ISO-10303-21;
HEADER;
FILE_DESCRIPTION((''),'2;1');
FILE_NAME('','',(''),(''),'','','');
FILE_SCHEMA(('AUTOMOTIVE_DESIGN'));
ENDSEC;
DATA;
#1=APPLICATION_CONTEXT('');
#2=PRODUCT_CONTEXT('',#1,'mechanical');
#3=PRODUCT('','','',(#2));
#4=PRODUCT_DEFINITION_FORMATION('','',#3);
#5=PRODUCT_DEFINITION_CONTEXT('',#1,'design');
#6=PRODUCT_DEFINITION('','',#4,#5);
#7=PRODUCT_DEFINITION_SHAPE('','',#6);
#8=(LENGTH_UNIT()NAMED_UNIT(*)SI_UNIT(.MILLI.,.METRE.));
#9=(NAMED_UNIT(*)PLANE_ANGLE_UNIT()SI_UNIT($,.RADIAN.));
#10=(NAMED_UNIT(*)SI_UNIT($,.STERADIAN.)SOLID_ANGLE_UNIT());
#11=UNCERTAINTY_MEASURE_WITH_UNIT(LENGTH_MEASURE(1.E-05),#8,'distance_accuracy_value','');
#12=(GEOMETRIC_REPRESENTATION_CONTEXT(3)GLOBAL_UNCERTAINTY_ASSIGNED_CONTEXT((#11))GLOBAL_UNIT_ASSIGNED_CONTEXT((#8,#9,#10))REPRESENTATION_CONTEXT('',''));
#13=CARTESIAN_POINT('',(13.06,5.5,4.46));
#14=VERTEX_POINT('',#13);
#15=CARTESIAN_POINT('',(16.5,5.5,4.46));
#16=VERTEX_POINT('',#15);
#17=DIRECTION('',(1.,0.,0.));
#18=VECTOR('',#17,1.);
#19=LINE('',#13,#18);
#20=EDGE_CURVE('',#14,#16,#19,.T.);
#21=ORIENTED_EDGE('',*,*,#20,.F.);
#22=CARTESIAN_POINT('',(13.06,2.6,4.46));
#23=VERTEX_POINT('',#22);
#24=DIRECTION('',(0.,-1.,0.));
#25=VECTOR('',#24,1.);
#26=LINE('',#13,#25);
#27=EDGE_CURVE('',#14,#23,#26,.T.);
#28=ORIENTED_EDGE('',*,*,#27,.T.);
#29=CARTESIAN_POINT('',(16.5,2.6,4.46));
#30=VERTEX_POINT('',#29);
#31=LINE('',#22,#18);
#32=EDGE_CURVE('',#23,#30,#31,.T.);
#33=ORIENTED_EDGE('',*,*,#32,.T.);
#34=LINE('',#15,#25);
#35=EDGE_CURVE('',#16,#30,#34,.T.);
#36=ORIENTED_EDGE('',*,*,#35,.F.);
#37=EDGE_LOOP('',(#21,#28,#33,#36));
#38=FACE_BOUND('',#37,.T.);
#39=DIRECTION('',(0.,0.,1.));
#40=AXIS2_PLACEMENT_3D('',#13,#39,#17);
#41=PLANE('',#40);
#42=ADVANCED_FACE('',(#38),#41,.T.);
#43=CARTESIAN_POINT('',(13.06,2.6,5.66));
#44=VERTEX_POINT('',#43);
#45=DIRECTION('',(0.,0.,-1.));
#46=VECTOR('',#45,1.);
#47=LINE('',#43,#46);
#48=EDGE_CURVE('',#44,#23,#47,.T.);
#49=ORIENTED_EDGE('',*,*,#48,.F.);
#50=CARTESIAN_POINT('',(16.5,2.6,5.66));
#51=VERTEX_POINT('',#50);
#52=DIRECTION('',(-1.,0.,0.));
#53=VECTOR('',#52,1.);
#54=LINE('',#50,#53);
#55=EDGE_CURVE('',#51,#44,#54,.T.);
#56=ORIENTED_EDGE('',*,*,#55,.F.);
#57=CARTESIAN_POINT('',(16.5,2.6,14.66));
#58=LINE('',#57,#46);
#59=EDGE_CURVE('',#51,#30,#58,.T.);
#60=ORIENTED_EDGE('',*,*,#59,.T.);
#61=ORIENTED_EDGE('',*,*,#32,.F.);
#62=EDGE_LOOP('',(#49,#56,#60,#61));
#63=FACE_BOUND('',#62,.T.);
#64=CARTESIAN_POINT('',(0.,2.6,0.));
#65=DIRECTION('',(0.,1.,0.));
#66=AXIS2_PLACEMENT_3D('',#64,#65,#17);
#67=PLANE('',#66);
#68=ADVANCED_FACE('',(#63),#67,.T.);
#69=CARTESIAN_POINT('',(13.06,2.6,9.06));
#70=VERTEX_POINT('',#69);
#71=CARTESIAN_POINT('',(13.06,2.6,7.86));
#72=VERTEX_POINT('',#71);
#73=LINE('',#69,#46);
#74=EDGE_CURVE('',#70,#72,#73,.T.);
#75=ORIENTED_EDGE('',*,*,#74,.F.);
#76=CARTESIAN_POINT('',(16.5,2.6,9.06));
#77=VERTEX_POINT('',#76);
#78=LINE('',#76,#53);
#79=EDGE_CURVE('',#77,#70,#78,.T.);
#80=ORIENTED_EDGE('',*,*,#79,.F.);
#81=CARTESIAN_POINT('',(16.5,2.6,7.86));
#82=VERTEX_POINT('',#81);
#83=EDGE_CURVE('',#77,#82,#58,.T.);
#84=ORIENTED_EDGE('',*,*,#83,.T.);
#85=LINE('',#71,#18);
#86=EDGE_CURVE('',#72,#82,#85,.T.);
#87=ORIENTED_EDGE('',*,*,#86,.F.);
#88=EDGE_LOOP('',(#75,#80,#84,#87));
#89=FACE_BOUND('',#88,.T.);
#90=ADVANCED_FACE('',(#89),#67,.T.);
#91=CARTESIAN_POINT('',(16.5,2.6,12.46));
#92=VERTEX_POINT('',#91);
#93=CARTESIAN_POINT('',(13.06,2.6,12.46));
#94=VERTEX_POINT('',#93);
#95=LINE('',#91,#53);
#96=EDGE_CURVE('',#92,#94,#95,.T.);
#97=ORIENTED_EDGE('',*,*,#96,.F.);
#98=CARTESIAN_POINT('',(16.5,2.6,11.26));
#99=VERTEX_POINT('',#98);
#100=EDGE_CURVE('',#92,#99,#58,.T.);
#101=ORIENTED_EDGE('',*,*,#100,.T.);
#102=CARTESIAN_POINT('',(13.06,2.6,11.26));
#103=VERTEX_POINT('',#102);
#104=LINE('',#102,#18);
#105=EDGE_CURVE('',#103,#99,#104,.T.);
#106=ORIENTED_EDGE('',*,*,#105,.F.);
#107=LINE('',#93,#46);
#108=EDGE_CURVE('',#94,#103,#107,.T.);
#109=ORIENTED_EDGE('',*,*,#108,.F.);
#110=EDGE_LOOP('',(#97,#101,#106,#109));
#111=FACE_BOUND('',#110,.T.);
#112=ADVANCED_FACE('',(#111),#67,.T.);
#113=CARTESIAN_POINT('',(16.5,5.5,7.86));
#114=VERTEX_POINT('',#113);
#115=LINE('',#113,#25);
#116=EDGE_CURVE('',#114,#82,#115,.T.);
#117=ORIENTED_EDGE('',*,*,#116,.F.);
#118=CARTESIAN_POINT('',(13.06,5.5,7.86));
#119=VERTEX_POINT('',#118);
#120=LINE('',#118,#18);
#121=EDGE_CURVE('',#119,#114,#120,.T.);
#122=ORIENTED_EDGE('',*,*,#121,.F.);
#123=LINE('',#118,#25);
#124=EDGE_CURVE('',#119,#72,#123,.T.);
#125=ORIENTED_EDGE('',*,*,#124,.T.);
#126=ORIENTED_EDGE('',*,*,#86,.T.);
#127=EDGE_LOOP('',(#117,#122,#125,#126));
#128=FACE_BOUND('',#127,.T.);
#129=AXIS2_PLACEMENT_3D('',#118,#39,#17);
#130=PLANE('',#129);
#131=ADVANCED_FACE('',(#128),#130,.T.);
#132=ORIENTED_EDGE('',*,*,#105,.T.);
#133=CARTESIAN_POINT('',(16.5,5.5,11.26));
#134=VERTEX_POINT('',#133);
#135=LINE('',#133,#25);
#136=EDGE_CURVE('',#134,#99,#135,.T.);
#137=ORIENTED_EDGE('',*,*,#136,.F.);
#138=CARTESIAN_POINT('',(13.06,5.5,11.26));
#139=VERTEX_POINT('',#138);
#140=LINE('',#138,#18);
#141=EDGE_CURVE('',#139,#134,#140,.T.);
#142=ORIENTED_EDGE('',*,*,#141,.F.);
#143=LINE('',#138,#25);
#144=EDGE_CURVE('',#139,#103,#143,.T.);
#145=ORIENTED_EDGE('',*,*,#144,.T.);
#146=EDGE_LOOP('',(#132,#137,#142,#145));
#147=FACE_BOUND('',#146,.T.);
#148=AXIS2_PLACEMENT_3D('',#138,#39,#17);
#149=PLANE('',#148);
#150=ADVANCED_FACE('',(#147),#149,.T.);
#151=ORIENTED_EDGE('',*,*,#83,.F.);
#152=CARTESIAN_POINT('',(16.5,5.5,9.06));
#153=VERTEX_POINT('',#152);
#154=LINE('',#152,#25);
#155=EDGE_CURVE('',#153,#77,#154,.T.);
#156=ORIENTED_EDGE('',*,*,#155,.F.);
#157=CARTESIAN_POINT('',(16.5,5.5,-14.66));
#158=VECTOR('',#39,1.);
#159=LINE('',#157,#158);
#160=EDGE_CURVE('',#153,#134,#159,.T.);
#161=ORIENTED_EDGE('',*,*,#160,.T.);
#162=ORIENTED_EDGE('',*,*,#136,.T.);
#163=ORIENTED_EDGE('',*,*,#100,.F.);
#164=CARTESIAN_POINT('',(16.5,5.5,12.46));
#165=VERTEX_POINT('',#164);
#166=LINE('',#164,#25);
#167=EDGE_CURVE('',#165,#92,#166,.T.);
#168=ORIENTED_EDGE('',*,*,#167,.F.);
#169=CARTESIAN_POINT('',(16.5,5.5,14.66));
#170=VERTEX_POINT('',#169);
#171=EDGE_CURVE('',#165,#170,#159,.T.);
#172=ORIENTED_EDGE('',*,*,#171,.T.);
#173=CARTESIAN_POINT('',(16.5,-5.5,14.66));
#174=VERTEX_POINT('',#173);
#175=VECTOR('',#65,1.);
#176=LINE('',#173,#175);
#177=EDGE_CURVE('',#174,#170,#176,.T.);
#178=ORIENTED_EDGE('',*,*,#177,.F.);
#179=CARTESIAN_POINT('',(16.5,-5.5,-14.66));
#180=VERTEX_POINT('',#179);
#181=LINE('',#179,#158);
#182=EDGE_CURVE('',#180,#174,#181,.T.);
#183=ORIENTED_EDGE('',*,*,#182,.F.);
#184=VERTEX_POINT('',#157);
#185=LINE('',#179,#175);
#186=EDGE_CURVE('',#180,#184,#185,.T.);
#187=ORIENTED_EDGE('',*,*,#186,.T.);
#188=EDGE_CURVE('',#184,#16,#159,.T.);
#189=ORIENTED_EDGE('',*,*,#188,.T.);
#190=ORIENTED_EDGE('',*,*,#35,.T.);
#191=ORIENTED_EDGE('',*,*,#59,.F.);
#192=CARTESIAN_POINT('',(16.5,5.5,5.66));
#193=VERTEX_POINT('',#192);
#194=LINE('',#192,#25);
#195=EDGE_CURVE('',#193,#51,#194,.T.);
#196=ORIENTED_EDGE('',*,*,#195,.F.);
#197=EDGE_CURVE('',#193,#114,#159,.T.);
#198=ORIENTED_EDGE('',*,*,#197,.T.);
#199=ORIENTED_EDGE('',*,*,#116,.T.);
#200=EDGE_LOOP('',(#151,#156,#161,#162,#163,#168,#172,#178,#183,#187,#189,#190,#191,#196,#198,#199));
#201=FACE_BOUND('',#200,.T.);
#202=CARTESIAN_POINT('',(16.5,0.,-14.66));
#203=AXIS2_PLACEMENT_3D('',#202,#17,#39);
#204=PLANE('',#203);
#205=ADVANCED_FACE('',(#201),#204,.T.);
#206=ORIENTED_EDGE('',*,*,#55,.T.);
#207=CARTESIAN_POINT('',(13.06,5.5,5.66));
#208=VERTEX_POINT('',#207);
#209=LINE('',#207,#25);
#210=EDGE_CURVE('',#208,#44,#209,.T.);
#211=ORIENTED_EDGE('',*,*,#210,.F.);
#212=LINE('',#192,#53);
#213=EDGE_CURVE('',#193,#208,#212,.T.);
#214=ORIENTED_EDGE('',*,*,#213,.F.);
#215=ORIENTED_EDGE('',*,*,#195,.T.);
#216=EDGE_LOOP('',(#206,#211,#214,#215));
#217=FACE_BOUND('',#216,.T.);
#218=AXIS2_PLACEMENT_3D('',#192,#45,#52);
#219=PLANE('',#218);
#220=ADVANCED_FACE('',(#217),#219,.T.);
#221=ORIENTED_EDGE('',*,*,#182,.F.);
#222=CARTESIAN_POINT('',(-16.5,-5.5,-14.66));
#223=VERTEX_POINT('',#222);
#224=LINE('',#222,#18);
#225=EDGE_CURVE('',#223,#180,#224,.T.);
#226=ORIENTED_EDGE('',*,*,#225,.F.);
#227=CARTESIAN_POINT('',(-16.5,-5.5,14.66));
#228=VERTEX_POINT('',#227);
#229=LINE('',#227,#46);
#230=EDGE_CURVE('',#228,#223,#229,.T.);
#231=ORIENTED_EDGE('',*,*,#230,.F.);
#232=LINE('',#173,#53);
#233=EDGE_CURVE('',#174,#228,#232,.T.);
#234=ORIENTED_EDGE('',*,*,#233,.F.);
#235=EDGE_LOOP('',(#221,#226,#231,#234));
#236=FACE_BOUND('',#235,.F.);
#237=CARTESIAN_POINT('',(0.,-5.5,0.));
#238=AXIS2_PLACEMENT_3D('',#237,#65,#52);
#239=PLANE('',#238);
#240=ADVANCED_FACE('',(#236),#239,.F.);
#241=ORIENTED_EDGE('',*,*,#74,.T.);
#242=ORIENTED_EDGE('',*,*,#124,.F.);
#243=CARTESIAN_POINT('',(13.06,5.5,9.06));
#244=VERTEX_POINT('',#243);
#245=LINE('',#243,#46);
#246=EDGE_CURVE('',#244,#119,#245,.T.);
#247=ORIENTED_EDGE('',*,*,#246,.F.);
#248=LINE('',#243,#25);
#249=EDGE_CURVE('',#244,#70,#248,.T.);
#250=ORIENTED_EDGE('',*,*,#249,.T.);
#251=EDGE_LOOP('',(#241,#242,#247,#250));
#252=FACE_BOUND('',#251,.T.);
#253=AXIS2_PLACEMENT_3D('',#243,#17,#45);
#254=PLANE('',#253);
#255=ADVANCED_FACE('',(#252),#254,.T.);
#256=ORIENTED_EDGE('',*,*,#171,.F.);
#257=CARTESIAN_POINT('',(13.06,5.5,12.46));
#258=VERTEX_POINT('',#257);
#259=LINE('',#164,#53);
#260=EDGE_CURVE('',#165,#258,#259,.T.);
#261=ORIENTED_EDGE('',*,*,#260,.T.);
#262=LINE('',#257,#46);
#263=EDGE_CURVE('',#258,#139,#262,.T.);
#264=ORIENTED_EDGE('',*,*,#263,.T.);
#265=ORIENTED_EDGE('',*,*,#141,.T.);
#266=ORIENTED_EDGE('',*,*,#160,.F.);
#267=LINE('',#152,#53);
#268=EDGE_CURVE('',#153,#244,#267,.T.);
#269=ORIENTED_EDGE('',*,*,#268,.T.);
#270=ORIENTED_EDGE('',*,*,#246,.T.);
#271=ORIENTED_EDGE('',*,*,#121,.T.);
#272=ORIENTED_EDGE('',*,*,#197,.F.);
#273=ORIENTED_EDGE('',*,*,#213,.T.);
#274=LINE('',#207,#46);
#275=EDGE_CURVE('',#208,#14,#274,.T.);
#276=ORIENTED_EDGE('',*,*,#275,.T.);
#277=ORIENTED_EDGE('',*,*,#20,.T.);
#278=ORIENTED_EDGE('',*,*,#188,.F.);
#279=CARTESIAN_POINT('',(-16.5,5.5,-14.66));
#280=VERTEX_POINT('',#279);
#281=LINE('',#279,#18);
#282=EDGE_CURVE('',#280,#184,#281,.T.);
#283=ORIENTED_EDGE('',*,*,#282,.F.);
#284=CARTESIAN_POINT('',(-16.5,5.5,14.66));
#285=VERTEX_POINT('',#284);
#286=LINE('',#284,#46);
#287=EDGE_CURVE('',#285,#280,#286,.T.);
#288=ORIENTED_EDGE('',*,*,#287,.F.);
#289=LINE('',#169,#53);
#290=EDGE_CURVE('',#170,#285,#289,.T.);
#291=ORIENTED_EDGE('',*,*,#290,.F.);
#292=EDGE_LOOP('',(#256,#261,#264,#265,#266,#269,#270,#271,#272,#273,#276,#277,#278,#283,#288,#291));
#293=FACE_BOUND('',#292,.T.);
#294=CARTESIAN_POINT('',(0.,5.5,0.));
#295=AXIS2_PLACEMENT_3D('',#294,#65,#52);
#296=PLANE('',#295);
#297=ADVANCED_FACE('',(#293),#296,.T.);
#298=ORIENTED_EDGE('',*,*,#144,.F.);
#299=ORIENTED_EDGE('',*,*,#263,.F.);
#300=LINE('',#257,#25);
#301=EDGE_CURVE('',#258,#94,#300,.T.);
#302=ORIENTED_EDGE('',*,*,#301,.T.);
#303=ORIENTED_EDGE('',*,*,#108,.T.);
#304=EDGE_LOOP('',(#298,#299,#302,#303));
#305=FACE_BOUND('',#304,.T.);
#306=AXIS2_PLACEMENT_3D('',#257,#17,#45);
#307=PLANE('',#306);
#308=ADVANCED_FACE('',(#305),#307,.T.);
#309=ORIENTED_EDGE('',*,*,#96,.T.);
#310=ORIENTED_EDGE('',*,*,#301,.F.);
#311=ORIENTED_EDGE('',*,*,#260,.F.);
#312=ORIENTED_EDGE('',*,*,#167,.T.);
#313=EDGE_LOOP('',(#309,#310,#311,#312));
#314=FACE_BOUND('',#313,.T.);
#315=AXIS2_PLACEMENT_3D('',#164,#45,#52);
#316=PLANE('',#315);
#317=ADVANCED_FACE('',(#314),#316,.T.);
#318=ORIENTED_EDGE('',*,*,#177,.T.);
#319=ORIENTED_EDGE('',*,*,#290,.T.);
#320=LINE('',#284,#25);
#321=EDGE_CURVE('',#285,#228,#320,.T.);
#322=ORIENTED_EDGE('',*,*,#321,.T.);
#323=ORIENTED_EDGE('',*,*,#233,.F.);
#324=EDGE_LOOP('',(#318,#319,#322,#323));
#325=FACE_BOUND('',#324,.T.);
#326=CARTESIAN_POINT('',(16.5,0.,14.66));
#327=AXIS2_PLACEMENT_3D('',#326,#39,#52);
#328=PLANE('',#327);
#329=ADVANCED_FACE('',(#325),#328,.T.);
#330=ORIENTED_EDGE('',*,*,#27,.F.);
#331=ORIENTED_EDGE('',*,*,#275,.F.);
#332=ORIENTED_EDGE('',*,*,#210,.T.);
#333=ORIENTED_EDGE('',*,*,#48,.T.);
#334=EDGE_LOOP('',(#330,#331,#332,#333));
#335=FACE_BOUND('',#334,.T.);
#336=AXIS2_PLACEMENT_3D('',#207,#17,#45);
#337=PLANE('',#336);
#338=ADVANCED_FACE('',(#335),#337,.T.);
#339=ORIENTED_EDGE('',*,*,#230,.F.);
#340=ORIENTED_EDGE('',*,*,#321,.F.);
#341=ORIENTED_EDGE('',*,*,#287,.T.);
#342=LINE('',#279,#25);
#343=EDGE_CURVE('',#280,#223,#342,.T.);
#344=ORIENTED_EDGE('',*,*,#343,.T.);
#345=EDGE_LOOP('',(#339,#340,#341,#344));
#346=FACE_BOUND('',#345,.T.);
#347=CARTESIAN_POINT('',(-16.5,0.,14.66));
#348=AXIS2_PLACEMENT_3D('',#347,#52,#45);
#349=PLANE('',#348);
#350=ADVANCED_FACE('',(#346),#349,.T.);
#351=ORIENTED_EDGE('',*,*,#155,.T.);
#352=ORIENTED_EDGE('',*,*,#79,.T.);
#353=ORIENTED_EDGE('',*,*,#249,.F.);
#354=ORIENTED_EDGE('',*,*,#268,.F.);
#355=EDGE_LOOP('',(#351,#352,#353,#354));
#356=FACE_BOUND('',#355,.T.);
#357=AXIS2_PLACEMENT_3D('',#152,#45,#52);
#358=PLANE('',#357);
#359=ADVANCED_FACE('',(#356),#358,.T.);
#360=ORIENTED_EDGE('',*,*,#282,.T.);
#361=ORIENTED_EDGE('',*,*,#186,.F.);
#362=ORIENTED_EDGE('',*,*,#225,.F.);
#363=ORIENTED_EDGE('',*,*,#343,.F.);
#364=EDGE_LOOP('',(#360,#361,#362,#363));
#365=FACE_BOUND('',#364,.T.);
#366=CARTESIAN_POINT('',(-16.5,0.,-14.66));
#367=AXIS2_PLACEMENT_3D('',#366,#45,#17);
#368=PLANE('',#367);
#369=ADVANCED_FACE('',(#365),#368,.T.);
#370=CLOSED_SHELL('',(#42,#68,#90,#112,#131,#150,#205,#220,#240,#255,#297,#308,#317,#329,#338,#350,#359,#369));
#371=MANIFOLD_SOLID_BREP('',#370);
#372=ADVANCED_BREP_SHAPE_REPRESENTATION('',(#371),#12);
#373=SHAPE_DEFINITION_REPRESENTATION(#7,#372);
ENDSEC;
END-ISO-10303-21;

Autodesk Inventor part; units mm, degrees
ref_plane "YZ Plane" through (0, 0, 0) normal (1, 0, 0) x (0, 1, 0)
ref_plane "XZ Plane" through (0, 0, 0) normal (0, 1, 0) x (-1, 0, 0)
ref_plane "XY Plane" through (0, 0, 0) normal (0, 0, 1) x (1, 0, 0)
sketch "草圖1" plane through (0, 0, 0) normal (0, 1, 0) x (-1, 0, 0)
  line L0 (-16.5, 14.66) -> (16.5, 14.66)
  line L1 (16.5, 14.66) -> (16.5, -14.66)
  line L2 (16.5, -14.66) -> (-16.5, -14.66)
  line L3 (-16.5, -14.66) -> (-16.5, 14.66)
  line L4 (-16.5, 14.66) -> (16.5, -14.66) construction
  line L5 (16.5, 14.66) -> (-16.5, -14.66) construction
  point P0 (0, 0)
  dimension "d0" = 29.32
  dimension "d1" = 33
extrude "擠出1" add sketch "草圖1" along normal mid plane 11
sketch "草圖2" plane through (0, 5.5, 0) normal (0, 1, 0) x (1, 0, 0)
  line L0 (16.5, -14.66) -> (16.5, 14.66) projected
  line L1 (16.5, -12.46) -> (13.06, -12.46)
  line L2 (13.06, -12.46) -> (13.06, -11.26)
  line L3 (13.06, -11.26) -> (16.5, -11.26)
  line L4 (16.5, -11.26) -> (16.5, -12.46)
  line L5 (-16.5, -14.66) -> (16.5, -14.66) projected
  line L6 (16.5, -9.06) -> (13.06, -9.06)
  line L7 (13.06, -9.06) -> (13.06, -7.86)
  line L8 (13.06, -7.86) -> (16.5, -7.86)
  line L9 (16.5, -7.86) -> (16.5, -9.06)
  line L10 (16.5, -5.66) -> (13.06, -5.66)
  line L11 (13.06, -5.66) -> (13.06, -4.46)
  line L12 (13.06, -4.46) -> (16.5, -4.46)
  line L13 (16.5, -4.46) -> (16.5, -5.66)
  point P0 (0, 0)
  point P1 (16.5, -5.66)
  point P2 (16.5, -4.46)
  dimension "d4" = 1.2
  dimension "d5" = 3.44
  dimension "d6" = 2.2
  dimension "d9" = 3.4
extrude "擠出2" cut sketch "草圖2" against normal blind 2.9
properties part number "S009_3.7V_Li-ion_Battery_900mAh_3.33Wh"
